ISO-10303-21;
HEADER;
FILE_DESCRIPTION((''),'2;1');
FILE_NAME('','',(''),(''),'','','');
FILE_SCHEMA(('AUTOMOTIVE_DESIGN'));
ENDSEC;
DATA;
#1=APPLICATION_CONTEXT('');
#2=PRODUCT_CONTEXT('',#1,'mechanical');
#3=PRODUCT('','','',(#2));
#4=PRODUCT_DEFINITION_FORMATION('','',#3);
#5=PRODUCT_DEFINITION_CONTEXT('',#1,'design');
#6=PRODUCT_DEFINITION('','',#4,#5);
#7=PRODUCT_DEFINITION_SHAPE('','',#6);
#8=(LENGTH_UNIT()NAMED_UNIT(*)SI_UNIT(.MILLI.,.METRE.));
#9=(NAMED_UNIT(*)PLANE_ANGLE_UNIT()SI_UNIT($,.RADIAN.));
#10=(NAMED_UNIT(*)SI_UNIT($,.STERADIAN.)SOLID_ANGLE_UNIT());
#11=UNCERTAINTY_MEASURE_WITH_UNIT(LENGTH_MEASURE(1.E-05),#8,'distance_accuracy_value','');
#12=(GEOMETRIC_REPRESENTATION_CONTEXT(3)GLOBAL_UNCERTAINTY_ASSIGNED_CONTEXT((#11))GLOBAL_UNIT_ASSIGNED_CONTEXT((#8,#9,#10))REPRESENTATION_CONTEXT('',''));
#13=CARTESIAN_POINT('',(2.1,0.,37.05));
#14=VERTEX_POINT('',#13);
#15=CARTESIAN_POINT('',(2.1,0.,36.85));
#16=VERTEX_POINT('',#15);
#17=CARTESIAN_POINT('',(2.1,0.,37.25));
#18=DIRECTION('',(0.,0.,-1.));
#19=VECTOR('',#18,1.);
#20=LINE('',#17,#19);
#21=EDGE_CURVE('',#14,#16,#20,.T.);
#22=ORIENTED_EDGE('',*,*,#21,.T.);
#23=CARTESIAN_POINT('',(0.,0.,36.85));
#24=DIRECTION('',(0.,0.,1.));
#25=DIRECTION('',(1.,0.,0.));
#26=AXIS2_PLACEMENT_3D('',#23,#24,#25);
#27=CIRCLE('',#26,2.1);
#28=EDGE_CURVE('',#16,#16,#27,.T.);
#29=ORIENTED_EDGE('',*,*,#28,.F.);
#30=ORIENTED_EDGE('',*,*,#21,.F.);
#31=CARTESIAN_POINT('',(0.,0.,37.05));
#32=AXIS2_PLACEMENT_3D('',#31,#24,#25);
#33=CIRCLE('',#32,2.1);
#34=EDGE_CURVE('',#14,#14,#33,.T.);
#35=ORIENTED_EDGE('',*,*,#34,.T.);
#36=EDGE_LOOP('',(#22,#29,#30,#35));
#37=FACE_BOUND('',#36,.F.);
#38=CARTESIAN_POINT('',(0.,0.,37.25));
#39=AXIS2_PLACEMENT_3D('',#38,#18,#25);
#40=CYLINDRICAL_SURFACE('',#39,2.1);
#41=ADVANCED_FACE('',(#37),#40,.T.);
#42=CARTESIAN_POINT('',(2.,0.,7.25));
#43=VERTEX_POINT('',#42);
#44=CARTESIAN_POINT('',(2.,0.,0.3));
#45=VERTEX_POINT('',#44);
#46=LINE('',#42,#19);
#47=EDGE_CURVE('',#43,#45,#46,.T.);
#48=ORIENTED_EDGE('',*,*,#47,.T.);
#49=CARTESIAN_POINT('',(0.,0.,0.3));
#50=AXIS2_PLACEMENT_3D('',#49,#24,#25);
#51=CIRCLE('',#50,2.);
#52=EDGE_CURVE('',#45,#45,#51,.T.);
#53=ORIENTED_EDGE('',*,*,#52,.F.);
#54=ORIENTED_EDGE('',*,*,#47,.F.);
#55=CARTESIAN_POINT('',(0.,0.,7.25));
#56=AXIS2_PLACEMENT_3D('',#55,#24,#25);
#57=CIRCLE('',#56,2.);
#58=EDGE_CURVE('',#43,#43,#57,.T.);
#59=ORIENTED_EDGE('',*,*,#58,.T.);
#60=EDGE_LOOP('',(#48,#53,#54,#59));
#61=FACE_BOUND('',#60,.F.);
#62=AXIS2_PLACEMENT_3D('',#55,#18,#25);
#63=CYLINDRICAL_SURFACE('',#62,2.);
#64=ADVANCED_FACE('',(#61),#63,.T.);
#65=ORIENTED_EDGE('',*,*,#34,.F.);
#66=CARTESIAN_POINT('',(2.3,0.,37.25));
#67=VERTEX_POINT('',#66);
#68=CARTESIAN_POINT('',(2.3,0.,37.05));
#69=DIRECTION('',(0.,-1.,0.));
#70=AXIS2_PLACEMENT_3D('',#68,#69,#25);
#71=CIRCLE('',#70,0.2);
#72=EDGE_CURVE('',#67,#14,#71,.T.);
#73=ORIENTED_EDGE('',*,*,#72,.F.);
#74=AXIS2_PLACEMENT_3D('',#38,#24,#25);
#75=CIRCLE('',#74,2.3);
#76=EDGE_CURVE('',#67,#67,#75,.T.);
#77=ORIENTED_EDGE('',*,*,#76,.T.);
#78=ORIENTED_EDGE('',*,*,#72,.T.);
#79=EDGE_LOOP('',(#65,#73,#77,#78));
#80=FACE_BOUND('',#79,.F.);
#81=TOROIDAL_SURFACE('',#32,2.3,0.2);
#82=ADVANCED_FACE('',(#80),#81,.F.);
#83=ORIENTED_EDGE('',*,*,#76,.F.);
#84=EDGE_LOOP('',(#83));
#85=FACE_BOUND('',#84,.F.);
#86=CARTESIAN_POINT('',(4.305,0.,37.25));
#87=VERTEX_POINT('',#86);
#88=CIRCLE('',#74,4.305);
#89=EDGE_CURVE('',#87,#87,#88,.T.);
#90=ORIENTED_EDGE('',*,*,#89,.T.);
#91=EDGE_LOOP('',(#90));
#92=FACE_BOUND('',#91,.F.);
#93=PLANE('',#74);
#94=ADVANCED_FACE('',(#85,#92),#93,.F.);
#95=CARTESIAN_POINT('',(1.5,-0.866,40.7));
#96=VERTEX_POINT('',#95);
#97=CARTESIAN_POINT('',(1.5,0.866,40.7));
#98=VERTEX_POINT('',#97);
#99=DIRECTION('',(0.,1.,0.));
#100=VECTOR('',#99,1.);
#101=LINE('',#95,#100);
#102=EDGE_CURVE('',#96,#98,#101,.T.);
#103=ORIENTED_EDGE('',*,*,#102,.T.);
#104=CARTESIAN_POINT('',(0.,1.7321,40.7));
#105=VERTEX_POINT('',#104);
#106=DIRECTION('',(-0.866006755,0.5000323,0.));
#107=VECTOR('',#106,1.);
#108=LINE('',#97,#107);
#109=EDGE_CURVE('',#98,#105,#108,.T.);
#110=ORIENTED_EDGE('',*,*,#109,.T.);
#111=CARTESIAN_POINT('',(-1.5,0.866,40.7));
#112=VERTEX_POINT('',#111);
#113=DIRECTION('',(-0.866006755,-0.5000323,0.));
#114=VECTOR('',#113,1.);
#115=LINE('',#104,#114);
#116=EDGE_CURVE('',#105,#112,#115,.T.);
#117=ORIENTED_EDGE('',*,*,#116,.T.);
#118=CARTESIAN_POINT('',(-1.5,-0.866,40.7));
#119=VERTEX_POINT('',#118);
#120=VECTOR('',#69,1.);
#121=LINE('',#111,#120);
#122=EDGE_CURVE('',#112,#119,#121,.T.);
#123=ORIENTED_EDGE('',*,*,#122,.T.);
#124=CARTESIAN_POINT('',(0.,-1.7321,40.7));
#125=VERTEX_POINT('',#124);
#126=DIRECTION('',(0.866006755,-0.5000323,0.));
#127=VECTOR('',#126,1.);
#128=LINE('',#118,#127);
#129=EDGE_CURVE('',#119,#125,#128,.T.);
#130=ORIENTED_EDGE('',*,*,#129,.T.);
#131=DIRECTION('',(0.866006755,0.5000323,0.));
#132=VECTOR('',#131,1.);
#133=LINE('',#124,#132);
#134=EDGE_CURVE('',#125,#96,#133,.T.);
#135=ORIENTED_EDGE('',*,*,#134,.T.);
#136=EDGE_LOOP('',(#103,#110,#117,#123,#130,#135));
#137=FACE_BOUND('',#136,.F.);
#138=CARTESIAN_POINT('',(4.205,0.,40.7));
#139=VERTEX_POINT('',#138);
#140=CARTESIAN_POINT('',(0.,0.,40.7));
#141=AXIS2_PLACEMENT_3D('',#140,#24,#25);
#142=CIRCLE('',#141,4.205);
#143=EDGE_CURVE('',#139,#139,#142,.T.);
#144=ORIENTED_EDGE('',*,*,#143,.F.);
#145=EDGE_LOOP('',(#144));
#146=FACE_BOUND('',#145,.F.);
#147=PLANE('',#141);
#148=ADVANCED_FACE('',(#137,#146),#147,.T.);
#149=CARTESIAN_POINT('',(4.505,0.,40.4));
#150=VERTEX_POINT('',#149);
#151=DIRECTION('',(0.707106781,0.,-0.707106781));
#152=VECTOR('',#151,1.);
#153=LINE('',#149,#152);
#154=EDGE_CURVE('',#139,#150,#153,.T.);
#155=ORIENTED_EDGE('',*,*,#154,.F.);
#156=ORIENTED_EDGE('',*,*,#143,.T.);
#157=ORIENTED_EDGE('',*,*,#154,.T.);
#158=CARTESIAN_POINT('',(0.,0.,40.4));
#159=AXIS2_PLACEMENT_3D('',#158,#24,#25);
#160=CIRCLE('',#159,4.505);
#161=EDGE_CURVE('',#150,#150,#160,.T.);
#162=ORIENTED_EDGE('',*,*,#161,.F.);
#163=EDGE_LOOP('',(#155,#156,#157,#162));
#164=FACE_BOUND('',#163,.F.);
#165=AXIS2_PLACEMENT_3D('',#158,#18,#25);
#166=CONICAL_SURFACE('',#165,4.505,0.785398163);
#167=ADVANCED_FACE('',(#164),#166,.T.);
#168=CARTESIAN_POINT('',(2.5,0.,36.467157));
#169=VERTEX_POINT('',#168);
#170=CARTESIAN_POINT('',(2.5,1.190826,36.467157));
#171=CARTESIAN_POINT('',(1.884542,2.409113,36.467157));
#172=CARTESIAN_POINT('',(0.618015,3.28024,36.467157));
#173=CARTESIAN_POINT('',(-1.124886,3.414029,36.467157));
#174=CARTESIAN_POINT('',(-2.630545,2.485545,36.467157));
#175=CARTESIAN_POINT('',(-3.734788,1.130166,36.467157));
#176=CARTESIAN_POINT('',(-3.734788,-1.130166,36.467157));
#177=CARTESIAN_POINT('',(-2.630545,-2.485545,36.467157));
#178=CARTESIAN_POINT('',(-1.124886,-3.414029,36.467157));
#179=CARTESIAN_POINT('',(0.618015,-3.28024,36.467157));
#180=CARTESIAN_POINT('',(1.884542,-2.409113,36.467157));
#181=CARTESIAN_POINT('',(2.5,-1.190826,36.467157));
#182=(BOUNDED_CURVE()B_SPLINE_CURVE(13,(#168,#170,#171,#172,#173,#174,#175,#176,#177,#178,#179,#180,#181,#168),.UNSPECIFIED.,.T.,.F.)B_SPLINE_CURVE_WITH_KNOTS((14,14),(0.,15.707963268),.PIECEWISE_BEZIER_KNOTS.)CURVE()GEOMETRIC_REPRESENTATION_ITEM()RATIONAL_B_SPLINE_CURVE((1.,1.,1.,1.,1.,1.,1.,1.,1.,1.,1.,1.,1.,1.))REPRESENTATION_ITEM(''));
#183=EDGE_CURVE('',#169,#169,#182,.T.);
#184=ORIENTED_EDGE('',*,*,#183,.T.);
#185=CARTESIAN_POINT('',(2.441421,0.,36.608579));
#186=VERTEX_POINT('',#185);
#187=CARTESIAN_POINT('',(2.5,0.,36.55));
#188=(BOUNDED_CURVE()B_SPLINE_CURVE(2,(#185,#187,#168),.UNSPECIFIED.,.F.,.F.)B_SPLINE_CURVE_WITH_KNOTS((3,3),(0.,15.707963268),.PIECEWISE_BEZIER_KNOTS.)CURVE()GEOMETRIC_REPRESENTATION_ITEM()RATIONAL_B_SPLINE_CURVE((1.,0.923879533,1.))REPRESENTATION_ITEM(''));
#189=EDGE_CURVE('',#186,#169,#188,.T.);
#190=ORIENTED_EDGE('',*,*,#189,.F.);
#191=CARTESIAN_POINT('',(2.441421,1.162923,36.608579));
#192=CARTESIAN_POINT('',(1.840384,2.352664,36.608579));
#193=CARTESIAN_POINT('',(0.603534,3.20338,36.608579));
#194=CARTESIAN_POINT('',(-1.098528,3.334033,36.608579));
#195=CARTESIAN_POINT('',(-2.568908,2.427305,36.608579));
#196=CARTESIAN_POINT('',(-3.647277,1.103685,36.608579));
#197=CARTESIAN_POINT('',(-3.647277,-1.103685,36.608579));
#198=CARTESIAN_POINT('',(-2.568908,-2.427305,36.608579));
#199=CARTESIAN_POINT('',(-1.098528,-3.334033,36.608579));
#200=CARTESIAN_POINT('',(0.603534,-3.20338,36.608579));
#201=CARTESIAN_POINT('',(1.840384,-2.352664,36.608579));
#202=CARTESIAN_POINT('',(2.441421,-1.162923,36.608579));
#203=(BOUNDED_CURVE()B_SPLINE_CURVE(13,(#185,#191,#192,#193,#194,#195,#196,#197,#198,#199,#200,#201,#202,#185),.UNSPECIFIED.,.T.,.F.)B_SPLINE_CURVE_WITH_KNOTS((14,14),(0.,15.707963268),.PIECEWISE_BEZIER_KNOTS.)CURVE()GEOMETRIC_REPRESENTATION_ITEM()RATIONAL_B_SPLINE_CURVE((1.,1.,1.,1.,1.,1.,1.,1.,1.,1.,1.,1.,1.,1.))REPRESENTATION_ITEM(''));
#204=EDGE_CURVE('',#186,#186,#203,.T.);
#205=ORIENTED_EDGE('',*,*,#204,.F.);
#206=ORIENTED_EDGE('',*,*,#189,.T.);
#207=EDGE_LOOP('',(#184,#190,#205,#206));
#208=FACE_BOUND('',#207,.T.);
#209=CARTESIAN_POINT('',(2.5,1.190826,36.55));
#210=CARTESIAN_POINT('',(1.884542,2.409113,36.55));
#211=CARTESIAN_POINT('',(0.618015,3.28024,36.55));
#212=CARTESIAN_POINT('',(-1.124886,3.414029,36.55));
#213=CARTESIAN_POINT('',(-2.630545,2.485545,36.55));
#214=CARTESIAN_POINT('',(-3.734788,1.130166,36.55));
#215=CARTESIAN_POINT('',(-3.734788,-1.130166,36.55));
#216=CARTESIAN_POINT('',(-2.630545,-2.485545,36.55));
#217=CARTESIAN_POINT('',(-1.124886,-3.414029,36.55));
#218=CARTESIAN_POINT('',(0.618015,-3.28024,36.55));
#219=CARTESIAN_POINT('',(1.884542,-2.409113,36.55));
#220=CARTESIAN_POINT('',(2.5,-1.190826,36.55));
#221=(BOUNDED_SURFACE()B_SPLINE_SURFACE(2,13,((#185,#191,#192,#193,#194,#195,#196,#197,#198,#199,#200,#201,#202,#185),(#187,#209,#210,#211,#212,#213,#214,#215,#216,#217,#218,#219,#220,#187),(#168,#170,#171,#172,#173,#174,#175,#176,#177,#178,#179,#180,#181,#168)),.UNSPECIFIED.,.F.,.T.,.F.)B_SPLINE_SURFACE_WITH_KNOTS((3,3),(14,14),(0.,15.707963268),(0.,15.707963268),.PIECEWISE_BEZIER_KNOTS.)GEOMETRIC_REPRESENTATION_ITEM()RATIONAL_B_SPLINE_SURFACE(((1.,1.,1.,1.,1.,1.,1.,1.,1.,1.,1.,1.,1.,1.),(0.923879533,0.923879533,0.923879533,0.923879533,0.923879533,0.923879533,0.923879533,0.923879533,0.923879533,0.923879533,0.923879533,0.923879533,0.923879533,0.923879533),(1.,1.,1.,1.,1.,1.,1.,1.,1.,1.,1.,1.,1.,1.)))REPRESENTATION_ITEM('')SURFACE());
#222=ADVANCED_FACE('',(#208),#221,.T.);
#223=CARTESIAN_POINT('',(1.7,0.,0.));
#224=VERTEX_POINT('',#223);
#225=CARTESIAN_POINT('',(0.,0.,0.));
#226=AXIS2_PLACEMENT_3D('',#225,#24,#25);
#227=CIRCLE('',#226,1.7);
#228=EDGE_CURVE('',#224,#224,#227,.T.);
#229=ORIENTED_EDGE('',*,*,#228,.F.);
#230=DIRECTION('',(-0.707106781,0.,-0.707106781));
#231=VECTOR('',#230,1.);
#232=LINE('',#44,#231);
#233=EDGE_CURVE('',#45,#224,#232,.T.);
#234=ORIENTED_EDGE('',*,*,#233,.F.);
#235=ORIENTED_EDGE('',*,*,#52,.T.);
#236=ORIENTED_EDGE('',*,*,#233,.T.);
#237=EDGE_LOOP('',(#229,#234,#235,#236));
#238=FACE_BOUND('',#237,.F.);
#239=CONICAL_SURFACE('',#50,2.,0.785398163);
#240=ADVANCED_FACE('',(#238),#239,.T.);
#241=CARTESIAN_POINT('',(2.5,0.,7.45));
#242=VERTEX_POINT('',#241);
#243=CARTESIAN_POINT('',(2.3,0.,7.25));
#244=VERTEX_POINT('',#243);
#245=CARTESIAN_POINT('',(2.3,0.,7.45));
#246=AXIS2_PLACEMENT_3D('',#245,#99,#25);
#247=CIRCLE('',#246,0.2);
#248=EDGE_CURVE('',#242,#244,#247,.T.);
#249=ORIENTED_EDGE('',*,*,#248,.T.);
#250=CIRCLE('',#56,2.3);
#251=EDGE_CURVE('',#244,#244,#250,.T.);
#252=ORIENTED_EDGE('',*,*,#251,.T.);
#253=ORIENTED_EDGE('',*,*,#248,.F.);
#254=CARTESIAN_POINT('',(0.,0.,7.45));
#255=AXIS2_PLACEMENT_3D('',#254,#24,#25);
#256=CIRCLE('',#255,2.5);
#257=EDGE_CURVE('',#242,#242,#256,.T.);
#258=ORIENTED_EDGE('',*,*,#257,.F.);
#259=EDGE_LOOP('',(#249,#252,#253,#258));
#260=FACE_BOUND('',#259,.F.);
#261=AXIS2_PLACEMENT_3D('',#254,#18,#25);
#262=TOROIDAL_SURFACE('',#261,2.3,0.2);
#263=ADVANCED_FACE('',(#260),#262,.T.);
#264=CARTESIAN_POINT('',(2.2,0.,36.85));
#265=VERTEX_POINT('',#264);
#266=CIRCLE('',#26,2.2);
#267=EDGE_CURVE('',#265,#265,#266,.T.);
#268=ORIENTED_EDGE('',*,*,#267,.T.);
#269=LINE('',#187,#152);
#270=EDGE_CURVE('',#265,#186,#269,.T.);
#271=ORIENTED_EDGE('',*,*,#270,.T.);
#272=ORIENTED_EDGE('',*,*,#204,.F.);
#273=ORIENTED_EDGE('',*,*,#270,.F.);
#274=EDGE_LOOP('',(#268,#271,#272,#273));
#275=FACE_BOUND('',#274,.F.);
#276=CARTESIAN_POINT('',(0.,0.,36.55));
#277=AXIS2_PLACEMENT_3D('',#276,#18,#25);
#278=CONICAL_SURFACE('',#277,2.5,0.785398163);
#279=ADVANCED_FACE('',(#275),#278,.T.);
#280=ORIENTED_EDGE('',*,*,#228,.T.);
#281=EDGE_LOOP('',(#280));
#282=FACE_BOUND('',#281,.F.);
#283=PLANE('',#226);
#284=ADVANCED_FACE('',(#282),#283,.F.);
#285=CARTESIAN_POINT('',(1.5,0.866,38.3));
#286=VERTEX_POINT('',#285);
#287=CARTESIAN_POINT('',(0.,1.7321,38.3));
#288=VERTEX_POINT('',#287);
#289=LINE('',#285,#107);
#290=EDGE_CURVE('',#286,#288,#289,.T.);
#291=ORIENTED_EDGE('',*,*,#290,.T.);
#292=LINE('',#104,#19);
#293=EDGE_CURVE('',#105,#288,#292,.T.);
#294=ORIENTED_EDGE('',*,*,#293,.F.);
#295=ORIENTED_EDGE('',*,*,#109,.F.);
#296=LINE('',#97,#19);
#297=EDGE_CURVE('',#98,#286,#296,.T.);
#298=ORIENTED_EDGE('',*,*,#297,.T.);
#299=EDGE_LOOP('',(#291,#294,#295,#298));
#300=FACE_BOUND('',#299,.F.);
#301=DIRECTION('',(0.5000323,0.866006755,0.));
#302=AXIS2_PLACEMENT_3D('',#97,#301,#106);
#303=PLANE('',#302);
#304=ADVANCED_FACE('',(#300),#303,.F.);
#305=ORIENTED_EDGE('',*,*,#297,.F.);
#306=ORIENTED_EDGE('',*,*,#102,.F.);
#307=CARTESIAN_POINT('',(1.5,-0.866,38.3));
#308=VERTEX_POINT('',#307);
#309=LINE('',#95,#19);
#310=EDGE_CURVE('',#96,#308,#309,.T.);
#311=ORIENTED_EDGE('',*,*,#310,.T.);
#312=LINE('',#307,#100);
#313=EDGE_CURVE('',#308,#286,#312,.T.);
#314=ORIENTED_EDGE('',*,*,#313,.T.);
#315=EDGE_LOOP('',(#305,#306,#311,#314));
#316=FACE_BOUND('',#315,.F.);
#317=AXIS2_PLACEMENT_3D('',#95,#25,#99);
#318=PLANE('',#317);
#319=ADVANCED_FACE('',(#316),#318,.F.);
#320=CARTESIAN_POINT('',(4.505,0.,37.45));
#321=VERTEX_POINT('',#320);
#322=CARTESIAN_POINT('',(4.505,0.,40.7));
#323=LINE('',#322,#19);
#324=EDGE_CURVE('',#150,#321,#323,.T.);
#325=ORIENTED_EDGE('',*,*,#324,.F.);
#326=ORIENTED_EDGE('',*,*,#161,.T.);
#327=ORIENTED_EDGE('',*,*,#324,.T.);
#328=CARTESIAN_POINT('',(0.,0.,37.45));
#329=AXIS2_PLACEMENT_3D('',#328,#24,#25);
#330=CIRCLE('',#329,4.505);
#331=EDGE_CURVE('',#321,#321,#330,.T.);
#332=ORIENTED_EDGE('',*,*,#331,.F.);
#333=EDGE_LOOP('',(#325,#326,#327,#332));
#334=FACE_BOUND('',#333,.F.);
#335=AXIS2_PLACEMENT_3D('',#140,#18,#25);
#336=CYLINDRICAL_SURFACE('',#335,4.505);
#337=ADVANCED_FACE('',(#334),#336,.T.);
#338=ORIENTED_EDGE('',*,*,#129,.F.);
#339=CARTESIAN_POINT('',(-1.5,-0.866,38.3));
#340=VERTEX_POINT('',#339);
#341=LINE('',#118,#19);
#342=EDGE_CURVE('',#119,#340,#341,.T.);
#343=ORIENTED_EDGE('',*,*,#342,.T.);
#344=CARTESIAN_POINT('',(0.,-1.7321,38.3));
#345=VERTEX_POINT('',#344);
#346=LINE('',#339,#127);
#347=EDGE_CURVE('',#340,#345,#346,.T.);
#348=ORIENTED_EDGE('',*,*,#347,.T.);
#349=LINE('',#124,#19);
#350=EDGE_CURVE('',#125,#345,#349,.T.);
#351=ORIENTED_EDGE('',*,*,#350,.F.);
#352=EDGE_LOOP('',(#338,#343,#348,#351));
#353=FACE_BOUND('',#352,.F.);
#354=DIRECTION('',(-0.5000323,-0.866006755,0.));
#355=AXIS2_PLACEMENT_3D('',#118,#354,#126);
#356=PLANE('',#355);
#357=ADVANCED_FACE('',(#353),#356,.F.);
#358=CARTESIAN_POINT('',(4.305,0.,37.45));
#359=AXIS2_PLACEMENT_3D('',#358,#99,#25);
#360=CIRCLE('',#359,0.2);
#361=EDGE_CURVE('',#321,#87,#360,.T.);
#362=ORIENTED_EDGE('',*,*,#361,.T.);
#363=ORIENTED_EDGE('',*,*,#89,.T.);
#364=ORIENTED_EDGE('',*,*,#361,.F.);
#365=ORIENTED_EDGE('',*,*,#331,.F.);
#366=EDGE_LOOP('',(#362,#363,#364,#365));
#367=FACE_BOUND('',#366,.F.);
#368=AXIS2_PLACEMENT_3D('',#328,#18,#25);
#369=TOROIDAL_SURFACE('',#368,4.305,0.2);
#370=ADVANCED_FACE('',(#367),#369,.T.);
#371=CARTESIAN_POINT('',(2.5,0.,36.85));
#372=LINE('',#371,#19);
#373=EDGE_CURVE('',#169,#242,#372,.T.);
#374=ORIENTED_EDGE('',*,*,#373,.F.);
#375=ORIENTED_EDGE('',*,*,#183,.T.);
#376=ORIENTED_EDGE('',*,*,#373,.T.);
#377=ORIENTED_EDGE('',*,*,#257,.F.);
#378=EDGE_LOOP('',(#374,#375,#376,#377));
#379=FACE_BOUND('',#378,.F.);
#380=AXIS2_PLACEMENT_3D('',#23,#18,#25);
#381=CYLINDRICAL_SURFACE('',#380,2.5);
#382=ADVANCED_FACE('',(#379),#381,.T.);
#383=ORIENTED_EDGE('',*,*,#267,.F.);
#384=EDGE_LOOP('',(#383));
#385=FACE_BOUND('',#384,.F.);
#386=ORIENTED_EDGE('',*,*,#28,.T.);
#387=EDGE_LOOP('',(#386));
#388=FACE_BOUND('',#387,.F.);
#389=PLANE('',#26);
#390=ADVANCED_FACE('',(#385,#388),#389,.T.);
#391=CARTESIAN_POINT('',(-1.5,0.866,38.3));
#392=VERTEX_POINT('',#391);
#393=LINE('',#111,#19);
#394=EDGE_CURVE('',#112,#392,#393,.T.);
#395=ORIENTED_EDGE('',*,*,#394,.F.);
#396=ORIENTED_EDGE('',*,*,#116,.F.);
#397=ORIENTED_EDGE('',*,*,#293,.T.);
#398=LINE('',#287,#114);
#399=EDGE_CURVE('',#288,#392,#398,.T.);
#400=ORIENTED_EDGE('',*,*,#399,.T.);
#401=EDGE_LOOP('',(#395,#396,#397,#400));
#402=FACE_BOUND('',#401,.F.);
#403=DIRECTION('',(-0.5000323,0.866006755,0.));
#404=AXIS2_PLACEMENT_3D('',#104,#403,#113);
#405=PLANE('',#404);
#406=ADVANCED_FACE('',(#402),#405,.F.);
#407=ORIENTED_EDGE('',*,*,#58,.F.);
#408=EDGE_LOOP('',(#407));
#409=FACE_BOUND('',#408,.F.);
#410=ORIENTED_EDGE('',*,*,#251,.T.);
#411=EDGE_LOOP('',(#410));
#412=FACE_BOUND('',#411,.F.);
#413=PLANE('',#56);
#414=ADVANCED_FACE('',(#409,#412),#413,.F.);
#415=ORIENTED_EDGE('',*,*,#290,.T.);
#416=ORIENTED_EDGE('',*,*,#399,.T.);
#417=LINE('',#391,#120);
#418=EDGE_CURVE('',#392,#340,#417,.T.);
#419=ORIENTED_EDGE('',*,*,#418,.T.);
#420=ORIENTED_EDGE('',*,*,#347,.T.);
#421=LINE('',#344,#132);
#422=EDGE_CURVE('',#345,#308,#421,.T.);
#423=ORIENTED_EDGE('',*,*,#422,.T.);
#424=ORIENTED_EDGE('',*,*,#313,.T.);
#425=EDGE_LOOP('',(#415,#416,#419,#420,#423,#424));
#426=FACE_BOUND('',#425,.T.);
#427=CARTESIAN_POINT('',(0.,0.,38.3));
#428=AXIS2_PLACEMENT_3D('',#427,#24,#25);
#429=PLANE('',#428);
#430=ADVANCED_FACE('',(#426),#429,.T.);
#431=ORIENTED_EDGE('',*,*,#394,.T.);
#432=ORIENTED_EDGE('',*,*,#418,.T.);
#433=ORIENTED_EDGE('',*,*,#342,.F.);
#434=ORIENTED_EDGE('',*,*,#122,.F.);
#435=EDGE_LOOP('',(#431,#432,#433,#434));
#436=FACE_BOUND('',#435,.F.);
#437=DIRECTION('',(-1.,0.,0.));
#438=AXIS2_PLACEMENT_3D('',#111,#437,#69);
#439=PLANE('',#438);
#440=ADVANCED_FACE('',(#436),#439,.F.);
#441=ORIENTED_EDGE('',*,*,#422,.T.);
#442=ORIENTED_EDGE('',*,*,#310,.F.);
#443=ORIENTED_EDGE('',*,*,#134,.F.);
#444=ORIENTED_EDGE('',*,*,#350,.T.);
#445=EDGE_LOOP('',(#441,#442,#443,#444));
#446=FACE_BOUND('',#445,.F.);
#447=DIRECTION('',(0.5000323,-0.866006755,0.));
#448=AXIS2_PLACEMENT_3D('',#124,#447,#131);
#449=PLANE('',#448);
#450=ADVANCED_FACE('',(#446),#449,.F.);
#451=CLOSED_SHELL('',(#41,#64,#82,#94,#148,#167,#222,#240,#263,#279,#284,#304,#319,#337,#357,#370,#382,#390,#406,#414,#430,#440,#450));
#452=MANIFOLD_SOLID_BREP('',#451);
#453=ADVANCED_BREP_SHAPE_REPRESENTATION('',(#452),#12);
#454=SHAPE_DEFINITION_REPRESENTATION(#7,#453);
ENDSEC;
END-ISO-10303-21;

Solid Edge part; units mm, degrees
sketch "Sketch1" plane through (0, 0, 0) normal (0, -1, 0) x (1, 0, 0)
  line L0 (0, 40.7) -> (4.505, 40.7)
  line L1 (4.505, 40.7) -> (4.505, 37.25)
  line L2 (4.505, 37.25) -> (2.1, 37.25)
  line L3 (2.1, 37.25) -> (2.1, 36.85)
  line L4 (2.1, 36.85) -> (2.5, 36.85)
  line L5 (2.5, 36.85) -> (2.5, 7.25)
  line L6 (2.5, 7.25) -> (2, 7.25)
  line L7 (2, 7.25) -> (2, 0)
  line L8 (2, 0) -> (0, 0)
  dimension "D1" = 4.505
  dimension "D2" = 3.45
  dimension "D3" = 30
  dimension "D4" = 0.4
  dimension "D5" = 7.25
  dimension "D6" = 2.5
  dimension "D7" = 2
revolve "RevolvedProtrusion1" add sketch "Sketch1" angle 360 about axis through (0, 0, 0) along (0, 0, 1)
chamfer "Chamfer1" distance 0.3 angle 45 3 edges at (-2.5, 0, 36.85) (-4.505, 0, 40.7) (-2, 0, 0)
fillet "Round_1" radius 0.2 4 edges at (-4.505, 0, 37.25) (-2.1, 0, 37.25) (-2.5, 0, 7.25) (-2.5, 0, 36.55)
sketch "Sketch2" plane through (0, 0, 40.7) normal (0, 0, 1) x (1, 0, 0)
  line L0 (1.5, 0.866) -> (0, 1.7321)
  line L1 (0, 1.7321) -> (-1.5, 0.866)
  line L2 (-1.5, 0.866) -> (-1.5, -0.866)
  line L3 (-1.5, -0.866) -> (0, -1.7321)
  line L4 (0, -1.7321) -> (1.5, -0.866)
  line L5 (1.5, -0.866) -> (1.5, 0.866)
  dimension "D1" = 3
extrude "ExtrudedCutout_1" cut sketch "Sketch2" against normal blind 2.4
properties material "Stainless Steel, 304"
